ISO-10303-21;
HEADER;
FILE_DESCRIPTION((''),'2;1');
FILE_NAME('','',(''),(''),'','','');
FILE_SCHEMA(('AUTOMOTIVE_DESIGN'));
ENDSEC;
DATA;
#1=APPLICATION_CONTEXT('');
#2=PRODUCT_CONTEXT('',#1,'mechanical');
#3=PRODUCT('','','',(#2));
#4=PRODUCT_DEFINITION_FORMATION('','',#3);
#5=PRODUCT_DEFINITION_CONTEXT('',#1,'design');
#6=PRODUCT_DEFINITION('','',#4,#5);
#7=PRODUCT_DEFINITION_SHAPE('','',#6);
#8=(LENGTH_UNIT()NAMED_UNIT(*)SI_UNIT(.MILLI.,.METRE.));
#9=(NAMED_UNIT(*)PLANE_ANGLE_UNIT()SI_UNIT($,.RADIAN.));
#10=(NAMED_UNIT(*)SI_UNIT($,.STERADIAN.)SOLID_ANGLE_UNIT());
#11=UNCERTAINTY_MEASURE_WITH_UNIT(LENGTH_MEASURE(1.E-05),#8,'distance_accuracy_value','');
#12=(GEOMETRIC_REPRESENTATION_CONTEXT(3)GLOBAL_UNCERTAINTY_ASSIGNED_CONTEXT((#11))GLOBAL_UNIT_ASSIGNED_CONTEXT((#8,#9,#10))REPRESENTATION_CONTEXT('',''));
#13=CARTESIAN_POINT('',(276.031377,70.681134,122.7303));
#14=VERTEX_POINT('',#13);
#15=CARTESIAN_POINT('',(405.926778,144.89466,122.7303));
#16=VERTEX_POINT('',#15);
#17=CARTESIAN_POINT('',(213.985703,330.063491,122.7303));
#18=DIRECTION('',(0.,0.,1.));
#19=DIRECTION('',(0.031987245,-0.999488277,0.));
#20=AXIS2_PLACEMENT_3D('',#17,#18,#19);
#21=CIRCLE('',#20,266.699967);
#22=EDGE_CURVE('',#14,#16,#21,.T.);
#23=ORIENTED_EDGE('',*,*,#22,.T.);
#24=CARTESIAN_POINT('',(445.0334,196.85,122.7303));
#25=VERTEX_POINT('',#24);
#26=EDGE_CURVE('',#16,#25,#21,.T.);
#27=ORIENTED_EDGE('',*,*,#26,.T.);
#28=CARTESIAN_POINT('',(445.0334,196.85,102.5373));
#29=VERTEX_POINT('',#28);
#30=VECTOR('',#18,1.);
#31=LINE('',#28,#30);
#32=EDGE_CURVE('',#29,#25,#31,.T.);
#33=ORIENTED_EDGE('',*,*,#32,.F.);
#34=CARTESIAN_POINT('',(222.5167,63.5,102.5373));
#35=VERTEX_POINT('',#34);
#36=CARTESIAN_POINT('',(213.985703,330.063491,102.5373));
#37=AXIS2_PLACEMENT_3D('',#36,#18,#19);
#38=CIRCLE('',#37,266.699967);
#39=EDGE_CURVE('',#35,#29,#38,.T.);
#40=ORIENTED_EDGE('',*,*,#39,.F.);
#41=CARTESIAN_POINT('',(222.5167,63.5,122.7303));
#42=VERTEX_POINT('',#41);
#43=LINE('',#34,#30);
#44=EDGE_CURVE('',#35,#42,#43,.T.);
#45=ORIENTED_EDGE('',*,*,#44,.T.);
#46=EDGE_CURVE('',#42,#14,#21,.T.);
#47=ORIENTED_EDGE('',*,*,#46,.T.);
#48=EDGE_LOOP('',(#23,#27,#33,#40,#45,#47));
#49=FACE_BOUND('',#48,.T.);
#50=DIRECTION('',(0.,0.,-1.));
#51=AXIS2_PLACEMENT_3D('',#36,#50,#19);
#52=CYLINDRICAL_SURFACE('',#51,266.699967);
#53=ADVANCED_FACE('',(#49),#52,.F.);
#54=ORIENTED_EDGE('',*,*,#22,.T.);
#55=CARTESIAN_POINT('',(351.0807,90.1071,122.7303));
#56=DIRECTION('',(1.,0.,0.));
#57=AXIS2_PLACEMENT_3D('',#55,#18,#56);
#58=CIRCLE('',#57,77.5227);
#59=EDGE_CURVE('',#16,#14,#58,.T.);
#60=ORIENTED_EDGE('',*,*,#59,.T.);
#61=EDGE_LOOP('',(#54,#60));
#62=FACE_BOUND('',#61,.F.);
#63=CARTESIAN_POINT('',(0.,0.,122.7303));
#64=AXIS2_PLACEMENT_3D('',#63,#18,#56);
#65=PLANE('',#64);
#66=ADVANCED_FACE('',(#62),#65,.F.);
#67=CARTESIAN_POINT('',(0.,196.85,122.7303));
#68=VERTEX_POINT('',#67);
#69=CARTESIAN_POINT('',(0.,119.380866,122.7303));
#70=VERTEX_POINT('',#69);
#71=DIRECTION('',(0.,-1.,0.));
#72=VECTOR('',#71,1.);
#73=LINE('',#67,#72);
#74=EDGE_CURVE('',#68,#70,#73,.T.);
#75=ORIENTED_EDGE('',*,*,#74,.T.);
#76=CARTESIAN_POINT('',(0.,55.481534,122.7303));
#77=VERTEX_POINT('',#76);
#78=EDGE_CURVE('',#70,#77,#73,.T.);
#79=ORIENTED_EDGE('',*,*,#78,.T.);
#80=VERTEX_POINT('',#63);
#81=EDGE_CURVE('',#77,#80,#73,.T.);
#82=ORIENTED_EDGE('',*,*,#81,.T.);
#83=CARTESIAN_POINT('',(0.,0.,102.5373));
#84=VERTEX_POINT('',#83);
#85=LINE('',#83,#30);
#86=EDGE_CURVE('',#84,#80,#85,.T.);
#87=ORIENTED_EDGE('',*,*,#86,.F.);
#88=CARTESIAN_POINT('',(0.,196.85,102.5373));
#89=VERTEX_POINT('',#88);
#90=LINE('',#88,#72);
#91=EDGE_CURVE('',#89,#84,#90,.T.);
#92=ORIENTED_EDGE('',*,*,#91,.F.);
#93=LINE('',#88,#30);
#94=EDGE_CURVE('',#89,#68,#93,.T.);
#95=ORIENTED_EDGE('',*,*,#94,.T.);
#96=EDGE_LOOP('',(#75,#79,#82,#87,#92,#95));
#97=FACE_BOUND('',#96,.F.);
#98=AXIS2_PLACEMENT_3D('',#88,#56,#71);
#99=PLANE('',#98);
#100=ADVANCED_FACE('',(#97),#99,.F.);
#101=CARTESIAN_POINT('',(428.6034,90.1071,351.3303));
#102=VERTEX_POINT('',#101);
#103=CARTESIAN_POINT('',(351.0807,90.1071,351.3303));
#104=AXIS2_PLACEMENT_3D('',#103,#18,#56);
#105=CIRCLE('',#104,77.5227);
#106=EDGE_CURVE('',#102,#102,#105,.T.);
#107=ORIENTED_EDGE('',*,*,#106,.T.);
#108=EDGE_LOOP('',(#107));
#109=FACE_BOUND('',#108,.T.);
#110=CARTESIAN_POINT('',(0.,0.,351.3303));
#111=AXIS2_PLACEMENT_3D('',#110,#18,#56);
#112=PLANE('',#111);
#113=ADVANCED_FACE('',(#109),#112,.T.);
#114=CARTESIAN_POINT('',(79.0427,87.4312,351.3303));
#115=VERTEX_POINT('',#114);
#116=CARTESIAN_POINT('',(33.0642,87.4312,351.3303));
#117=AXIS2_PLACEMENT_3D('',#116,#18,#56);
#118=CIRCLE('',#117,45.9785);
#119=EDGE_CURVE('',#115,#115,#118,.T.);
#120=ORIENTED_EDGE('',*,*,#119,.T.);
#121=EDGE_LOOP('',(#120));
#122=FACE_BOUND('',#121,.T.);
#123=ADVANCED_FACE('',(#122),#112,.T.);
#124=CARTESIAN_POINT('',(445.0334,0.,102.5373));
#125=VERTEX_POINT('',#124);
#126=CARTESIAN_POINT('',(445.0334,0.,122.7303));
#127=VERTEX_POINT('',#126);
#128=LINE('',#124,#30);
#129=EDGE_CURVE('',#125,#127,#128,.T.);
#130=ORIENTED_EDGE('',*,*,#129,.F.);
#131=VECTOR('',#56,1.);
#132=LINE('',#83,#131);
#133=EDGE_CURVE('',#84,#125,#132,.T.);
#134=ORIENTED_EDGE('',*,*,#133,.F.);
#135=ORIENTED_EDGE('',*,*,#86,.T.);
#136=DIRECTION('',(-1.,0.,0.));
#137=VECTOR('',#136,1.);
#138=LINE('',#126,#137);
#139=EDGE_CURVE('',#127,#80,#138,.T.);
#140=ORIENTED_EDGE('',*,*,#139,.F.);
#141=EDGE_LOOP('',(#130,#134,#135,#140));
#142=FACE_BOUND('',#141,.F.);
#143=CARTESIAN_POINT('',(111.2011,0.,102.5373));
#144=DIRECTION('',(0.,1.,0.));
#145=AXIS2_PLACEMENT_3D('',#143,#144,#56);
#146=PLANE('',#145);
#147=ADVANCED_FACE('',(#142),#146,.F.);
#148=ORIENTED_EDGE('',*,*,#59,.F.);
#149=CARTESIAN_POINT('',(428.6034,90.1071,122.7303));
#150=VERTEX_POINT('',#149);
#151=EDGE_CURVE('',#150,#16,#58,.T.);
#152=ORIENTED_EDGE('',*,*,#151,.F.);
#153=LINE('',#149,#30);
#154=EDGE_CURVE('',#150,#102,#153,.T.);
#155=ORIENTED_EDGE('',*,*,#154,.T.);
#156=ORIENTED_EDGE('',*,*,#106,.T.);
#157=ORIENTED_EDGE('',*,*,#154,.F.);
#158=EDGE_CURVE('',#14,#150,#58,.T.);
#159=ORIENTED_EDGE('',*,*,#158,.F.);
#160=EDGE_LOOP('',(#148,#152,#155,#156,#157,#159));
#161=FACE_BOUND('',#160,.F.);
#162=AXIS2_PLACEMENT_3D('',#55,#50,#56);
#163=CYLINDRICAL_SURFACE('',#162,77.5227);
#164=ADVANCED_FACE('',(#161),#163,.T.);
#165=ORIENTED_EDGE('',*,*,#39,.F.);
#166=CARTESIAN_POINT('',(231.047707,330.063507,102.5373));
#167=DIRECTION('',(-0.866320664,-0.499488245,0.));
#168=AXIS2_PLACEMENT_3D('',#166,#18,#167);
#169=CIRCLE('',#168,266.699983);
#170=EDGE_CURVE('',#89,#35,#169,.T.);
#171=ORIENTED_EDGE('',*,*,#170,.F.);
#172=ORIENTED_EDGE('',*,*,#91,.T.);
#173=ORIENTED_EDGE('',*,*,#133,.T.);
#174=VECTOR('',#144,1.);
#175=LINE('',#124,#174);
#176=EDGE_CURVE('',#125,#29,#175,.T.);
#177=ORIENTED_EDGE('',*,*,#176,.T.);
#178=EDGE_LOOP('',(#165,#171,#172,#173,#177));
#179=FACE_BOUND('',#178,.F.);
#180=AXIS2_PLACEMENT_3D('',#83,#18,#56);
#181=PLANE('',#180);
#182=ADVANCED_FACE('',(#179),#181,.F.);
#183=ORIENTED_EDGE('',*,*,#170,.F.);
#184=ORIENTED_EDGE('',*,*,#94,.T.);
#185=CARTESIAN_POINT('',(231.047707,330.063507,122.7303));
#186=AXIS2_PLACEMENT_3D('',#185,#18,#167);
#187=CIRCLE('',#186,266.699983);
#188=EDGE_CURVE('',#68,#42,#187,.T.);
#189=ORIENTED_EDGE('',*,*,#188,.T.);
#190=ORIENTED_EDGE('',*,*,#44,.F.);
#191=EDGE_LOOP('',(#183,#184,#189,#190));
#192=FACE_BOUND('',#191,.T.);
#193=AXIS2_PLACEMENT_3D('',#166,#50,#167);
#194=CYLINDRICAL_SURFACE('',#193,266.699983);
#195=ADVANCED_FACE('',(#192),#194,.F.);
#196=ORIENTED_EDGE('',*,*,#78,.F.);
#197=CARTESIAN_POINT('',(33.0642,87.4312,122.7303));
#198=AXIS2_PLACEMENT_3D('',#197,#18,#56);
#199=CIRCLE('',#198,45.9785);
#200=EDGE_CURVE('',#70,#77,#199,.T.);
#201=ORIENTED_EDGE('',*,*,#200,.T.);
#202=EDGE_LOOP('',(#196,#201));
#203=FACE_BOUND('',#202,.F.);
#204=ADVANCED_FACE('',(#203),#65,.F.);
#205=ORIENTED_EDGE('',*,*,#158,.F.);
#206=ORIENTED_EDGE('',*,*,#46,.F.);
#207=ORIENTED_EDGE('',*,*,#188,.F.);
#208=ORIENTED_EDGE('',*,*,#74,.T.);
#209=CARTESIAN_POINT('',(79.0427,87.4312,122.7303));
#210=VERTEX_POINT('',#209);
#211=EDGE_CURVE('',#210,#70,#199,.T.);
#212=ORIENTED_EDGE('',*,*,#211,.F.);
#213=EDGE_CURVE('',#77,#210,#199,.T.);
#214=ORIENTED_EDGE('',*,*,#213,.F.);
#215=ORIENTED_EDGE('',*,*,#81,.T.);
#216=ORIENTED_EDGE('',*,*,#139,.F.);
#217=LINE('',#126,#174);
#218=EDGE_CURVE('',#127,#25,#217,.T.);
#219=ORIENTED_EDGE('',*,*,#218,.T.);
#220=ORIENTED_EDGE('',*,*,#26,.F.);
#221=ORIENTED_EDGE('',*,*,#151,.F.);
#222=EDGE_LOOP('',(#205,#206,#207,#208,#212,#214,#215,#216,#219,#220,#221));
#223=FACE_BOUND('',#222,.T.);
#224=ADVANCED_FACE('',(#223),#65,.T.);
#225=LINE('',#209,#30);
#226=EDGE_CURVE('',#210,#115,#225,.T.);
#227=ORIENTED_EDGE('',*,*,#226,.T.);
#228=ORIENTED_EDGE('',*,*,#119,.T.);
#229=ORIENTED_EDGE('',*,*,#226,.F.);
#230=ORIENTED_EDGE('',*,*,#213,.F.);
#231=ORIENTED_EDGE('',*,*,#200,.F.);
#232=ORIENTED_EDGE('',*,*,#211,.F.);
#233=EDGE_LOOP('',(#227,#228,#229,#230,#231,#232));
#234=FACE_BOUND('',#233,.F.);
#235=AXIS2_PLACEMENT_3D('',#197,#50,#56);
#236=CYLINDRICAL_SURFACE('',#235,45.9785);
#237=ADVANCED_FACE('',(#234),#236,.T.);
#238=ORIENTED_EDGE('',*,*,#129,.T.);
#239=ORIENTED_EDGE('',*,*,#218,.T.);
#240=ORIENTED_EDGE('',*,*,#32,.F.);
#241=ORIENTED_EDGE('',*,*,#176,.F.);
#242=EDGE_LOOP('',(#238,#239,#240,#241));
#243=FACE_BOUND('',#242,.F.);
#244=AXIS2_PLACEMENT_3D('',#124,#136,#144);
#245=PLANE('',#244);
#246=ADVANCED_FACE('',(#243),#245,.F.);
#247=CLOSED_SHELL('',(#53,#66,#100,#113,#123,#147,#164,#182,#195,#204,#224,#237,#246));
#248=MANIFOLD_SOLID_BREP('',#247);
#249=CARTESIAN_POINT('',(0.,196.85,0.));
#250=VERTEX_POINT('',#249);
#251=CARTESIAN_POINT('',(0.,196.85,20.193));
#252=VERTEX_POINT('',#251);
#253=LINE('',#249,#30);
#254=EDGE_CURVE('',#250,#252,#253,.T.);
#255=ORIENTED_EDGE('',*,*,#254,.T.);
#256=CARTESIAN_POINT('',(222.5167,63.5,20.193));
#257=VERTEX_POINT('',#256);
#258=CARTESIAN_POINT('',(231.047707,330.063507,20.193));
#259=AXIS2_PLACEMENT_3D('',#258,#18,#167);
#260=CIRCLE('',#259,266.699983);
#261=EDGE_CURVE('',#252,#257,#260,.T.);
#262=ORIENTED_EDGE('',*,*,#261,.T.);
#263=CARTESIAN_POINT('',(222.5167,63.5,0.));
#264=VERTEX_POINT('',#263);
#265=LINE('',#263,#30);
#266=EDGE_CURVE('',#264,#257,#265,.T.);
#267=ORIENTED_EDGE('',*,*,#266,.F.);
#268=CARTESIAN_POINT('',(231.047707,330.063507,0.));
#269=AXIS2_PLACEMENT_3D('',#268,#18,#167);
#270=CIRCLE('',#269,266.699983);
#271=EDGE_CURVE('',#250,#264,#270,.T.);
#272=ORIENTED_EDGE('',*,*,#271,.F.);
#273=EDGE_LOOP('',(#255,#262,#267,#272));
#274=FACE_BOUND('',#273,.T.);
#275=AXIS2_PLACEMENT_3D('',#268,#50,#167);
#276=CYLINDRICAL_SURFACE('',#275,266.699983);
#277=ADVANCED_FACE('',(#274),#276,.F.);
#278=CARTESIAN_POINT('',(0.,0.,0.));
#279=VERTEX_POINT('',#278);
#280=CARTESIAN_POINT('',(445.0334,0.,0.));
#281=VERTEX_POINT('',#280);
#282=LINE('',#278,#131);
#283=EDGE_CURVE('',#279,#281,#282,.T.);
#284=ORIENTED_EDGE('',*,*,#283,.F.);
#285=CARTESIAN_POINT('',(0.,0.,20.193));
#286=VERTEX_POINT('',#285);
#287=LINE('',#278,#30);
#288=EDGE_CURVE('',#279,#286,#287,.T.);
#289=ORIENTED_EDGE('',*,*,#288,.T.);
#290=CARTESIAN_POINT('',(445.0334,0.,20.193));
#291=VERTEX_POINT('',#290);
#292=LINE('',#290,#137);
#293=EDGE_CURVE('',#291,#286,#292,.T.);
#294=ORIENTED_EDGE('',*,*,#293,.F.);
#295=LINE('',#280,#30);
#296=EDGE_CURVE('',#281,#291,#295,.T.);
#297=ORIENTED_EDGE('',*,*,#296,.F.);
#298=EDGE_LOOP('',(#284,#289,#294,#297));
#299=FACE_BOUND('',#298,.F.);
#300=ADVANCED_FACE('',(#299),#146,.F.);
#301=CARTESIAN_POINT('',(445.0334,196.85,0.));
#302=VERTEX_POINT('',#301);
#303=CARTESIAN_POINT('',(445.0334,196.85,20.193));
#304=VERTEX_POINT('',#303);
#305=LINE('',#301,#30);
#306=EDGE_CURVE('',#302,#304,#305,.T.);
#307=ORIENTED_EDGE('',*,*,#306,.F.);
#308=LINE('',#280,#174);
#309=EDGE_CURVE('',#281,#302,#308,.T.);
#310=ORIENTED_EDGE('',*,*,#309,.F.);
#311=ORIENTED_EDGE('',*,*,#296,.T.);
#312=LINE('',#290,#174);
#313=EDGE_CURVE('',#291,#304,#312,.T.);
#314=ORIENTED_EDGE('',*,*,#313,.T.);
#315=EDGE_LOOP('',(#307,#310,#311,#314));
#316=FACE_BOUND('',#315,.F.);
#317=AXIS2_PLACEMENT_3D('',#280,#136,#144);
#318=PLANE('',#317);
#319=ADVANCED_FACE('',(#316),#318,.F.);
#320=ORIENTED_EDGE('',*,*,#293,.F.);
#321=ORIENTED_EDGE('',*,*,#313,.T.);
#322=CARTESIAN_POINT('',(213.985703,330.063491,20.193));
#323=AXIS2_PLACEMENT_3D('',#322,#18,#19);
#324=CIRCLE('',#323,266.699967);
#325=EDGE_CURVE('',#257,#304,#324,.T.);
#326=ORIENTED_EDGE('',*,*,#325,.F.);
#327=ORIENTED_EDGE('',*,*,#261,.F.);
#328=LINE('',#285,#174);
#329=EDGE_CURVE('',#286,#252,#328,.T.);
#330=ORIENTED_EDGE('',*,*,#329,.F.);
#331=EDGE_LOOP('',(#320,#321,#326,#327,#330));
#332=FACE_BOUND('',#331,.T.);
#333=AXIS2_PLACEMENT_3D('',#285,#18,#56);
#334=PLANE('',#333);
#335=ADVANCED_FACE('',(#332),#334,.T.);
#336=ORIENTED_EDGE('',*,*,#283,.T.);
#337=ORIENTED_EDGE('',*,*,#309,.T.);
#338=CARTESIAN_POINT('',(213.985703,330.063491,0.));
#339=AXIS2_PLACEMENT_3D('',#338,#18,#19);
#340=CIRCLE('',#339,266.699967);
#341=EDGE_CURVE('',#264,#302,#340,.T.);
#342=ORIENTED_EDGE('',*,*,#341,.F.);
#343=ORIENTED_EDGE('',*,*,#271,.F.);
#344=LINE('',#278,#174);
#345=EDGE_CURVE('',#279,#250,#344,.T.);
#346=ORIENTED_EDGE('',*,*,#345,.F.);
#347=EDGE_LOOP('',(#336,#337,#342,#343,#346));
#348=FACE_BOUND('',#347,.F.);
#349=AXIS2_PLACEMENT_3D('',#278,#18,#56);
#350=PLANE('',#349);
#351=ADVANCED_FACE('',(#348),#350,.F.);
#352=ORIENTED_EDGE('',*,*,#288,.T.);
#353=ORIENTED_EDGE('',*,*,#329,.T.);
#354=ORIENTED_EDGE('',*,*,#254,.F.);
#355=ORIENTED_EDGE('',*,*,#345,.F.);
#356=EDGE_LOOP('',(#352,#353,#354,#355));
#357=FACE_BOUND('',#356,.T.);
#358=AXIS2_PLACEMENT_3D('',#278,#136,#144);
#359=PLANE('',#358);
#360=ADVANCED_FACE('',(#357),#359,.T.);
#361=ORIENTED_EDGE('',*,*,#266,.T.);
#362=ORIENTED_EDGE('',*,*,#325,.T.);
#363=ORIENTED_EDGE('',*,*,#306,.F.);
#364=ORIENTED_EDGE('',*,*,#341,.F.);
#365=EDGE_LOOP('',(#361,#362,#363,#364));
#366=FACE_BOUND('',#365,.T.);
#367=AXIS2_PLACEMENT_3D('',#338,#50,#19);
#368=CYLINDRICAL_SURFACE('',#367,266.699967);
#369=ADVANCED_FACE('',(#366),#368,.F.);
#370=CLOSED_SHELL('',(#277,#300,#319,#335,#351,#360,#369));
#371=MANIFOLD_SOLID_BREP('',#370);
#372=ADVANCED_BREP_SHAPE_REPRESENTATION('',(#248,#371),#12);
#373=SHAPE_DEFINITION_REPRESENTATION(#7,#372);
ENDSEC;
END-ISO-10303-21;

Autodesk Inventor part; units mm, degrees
ref_plane "YZ Plane" through (0, 0, 0) normal (1, 0, 0) x (0, 1, 0)
ref_plane "XZ Plane" through (0, 0, 0) normal (0, 1, 0) x (-1, 0, 0)
ref_plane "XY Plane" through (0, 0, 0) normal (0, 0, 1) x (1, 0, 0)
sketch "Sketch1" plane through (0, 0, 0) normal (0, 0, 1) x (1, 0, 0)
  line L0 (0, 0) -> (445.0334, 0)
  line L1 (445.0334, 0) -> (445.0334, 196.85)
  line L2 (0, 0) -> (0, 196.85)
  arc A0 (0, 196.85) -> (222.5167, 63.5) centre (231.0477, 330.0635) ccw
  arc A1 (222.5167, 63.5) -> (445.0334, 196.85) centre (213.9857, 330.0635) ccw
  dimension "d0" = 445.0334
  dimension "d1" = 196.85
  dimension "d3" = 266.7
  dimension "d4" = 266.7
extrude "Extrusion1" add sketch "Sketch1" along normal blind 20.193
sketch "Sketch2" plane through (0, 0, 20.193) normal (0, 0, 1) x (1, 0, 0)
  line L0 (0, 0) -> (445.0334, 0) projected
  line L1 (111.2011, 0) -> (141.5914, 0)
  line L2 (141.5914, 0) -> (141.5914, 15.1977)
  line L3 (141.5914, 15.1977) -> (111.2011, 15.1977)
  line L4 (111.2011, 15.1977) -> (111.2011, 0)
extrude "Extrusion2" add sketch "Sketch2" along normal blind 82.3443
sketch "Sketch3" plane through (0, 0, 102.5373) normal (0, 0, 1) x (1, 0, 0)
  line L0 (111.2011, 0) -> (141.5914, 0) projected
  line L1 (141.5914, 0) -> (141.5914, 15.1977) projected
  line L2 (141.5914, 15.1977) -> (111.2011, 15.1977) projected
  line L3 (111.2011, 15.1977) -> (111.2011, 0) projected
  line L4 (141.5914, 15.1977) -> (141.5914, 0) projected
  line L5 (141.5914, 0) -> (445.0334, 0) projected
  line L6 (445.0334, 0) -> (445.0334, 196.85) projected
  arc A0 (222.5167, 63.5) -> (445.0334, 196.85) centre (213.9857, 330.0635) ccw projected
  arc A1 (0, 196.85) -> (222.5167, 63.5) centre (231.0477, 330.0635) ccw projected
  line L7 (0, 196.85) -> (0, 0) projected
  line L8 (0, 0) -> (111.2011, 0) projected
  line L9 (111.2011, 0) -> (111.2011, 15.1977) projected
  line L10 (111.2011, 15.1977) -> (141.5914, 15.1977) projected
extrude "Extrusion3" add sketch "Sketch3" along normal blind 20.193
sketch "Sketch4" plane through (111.2011, 15.1977, 20.193) normal (0, 1, 0) x (1, 0, 0)
  line L0 (0, 0) -> (30.3903, 0) projected
  line L1 (0, 0) -> (0, -82.3443) projected
  line L2 (30.3903, -82.3443) -> (0, -82.3443) projected
  line L3 (30.3903, 0) -> (30.3903, -82.3443) projected
  point P0 (-111.2011, 20.193)
extrude "Extrusion4" cut sketch "Sketch4" against normal blind 20.193
sketch "Sketch6" plane through (0, 0, 122.7303) normal (0, 0, 1) x (1, 0, 0)
  circle A0 centre (33.0642, 87.4312) radius 45.9785
  circle A1 centre (351.0807, 90.1071) radius 77.5227
extrude "Extrusion5" add sketch "Sketch6" along normal blind 228.6
properties part number "Robotics ball launcher guide"
